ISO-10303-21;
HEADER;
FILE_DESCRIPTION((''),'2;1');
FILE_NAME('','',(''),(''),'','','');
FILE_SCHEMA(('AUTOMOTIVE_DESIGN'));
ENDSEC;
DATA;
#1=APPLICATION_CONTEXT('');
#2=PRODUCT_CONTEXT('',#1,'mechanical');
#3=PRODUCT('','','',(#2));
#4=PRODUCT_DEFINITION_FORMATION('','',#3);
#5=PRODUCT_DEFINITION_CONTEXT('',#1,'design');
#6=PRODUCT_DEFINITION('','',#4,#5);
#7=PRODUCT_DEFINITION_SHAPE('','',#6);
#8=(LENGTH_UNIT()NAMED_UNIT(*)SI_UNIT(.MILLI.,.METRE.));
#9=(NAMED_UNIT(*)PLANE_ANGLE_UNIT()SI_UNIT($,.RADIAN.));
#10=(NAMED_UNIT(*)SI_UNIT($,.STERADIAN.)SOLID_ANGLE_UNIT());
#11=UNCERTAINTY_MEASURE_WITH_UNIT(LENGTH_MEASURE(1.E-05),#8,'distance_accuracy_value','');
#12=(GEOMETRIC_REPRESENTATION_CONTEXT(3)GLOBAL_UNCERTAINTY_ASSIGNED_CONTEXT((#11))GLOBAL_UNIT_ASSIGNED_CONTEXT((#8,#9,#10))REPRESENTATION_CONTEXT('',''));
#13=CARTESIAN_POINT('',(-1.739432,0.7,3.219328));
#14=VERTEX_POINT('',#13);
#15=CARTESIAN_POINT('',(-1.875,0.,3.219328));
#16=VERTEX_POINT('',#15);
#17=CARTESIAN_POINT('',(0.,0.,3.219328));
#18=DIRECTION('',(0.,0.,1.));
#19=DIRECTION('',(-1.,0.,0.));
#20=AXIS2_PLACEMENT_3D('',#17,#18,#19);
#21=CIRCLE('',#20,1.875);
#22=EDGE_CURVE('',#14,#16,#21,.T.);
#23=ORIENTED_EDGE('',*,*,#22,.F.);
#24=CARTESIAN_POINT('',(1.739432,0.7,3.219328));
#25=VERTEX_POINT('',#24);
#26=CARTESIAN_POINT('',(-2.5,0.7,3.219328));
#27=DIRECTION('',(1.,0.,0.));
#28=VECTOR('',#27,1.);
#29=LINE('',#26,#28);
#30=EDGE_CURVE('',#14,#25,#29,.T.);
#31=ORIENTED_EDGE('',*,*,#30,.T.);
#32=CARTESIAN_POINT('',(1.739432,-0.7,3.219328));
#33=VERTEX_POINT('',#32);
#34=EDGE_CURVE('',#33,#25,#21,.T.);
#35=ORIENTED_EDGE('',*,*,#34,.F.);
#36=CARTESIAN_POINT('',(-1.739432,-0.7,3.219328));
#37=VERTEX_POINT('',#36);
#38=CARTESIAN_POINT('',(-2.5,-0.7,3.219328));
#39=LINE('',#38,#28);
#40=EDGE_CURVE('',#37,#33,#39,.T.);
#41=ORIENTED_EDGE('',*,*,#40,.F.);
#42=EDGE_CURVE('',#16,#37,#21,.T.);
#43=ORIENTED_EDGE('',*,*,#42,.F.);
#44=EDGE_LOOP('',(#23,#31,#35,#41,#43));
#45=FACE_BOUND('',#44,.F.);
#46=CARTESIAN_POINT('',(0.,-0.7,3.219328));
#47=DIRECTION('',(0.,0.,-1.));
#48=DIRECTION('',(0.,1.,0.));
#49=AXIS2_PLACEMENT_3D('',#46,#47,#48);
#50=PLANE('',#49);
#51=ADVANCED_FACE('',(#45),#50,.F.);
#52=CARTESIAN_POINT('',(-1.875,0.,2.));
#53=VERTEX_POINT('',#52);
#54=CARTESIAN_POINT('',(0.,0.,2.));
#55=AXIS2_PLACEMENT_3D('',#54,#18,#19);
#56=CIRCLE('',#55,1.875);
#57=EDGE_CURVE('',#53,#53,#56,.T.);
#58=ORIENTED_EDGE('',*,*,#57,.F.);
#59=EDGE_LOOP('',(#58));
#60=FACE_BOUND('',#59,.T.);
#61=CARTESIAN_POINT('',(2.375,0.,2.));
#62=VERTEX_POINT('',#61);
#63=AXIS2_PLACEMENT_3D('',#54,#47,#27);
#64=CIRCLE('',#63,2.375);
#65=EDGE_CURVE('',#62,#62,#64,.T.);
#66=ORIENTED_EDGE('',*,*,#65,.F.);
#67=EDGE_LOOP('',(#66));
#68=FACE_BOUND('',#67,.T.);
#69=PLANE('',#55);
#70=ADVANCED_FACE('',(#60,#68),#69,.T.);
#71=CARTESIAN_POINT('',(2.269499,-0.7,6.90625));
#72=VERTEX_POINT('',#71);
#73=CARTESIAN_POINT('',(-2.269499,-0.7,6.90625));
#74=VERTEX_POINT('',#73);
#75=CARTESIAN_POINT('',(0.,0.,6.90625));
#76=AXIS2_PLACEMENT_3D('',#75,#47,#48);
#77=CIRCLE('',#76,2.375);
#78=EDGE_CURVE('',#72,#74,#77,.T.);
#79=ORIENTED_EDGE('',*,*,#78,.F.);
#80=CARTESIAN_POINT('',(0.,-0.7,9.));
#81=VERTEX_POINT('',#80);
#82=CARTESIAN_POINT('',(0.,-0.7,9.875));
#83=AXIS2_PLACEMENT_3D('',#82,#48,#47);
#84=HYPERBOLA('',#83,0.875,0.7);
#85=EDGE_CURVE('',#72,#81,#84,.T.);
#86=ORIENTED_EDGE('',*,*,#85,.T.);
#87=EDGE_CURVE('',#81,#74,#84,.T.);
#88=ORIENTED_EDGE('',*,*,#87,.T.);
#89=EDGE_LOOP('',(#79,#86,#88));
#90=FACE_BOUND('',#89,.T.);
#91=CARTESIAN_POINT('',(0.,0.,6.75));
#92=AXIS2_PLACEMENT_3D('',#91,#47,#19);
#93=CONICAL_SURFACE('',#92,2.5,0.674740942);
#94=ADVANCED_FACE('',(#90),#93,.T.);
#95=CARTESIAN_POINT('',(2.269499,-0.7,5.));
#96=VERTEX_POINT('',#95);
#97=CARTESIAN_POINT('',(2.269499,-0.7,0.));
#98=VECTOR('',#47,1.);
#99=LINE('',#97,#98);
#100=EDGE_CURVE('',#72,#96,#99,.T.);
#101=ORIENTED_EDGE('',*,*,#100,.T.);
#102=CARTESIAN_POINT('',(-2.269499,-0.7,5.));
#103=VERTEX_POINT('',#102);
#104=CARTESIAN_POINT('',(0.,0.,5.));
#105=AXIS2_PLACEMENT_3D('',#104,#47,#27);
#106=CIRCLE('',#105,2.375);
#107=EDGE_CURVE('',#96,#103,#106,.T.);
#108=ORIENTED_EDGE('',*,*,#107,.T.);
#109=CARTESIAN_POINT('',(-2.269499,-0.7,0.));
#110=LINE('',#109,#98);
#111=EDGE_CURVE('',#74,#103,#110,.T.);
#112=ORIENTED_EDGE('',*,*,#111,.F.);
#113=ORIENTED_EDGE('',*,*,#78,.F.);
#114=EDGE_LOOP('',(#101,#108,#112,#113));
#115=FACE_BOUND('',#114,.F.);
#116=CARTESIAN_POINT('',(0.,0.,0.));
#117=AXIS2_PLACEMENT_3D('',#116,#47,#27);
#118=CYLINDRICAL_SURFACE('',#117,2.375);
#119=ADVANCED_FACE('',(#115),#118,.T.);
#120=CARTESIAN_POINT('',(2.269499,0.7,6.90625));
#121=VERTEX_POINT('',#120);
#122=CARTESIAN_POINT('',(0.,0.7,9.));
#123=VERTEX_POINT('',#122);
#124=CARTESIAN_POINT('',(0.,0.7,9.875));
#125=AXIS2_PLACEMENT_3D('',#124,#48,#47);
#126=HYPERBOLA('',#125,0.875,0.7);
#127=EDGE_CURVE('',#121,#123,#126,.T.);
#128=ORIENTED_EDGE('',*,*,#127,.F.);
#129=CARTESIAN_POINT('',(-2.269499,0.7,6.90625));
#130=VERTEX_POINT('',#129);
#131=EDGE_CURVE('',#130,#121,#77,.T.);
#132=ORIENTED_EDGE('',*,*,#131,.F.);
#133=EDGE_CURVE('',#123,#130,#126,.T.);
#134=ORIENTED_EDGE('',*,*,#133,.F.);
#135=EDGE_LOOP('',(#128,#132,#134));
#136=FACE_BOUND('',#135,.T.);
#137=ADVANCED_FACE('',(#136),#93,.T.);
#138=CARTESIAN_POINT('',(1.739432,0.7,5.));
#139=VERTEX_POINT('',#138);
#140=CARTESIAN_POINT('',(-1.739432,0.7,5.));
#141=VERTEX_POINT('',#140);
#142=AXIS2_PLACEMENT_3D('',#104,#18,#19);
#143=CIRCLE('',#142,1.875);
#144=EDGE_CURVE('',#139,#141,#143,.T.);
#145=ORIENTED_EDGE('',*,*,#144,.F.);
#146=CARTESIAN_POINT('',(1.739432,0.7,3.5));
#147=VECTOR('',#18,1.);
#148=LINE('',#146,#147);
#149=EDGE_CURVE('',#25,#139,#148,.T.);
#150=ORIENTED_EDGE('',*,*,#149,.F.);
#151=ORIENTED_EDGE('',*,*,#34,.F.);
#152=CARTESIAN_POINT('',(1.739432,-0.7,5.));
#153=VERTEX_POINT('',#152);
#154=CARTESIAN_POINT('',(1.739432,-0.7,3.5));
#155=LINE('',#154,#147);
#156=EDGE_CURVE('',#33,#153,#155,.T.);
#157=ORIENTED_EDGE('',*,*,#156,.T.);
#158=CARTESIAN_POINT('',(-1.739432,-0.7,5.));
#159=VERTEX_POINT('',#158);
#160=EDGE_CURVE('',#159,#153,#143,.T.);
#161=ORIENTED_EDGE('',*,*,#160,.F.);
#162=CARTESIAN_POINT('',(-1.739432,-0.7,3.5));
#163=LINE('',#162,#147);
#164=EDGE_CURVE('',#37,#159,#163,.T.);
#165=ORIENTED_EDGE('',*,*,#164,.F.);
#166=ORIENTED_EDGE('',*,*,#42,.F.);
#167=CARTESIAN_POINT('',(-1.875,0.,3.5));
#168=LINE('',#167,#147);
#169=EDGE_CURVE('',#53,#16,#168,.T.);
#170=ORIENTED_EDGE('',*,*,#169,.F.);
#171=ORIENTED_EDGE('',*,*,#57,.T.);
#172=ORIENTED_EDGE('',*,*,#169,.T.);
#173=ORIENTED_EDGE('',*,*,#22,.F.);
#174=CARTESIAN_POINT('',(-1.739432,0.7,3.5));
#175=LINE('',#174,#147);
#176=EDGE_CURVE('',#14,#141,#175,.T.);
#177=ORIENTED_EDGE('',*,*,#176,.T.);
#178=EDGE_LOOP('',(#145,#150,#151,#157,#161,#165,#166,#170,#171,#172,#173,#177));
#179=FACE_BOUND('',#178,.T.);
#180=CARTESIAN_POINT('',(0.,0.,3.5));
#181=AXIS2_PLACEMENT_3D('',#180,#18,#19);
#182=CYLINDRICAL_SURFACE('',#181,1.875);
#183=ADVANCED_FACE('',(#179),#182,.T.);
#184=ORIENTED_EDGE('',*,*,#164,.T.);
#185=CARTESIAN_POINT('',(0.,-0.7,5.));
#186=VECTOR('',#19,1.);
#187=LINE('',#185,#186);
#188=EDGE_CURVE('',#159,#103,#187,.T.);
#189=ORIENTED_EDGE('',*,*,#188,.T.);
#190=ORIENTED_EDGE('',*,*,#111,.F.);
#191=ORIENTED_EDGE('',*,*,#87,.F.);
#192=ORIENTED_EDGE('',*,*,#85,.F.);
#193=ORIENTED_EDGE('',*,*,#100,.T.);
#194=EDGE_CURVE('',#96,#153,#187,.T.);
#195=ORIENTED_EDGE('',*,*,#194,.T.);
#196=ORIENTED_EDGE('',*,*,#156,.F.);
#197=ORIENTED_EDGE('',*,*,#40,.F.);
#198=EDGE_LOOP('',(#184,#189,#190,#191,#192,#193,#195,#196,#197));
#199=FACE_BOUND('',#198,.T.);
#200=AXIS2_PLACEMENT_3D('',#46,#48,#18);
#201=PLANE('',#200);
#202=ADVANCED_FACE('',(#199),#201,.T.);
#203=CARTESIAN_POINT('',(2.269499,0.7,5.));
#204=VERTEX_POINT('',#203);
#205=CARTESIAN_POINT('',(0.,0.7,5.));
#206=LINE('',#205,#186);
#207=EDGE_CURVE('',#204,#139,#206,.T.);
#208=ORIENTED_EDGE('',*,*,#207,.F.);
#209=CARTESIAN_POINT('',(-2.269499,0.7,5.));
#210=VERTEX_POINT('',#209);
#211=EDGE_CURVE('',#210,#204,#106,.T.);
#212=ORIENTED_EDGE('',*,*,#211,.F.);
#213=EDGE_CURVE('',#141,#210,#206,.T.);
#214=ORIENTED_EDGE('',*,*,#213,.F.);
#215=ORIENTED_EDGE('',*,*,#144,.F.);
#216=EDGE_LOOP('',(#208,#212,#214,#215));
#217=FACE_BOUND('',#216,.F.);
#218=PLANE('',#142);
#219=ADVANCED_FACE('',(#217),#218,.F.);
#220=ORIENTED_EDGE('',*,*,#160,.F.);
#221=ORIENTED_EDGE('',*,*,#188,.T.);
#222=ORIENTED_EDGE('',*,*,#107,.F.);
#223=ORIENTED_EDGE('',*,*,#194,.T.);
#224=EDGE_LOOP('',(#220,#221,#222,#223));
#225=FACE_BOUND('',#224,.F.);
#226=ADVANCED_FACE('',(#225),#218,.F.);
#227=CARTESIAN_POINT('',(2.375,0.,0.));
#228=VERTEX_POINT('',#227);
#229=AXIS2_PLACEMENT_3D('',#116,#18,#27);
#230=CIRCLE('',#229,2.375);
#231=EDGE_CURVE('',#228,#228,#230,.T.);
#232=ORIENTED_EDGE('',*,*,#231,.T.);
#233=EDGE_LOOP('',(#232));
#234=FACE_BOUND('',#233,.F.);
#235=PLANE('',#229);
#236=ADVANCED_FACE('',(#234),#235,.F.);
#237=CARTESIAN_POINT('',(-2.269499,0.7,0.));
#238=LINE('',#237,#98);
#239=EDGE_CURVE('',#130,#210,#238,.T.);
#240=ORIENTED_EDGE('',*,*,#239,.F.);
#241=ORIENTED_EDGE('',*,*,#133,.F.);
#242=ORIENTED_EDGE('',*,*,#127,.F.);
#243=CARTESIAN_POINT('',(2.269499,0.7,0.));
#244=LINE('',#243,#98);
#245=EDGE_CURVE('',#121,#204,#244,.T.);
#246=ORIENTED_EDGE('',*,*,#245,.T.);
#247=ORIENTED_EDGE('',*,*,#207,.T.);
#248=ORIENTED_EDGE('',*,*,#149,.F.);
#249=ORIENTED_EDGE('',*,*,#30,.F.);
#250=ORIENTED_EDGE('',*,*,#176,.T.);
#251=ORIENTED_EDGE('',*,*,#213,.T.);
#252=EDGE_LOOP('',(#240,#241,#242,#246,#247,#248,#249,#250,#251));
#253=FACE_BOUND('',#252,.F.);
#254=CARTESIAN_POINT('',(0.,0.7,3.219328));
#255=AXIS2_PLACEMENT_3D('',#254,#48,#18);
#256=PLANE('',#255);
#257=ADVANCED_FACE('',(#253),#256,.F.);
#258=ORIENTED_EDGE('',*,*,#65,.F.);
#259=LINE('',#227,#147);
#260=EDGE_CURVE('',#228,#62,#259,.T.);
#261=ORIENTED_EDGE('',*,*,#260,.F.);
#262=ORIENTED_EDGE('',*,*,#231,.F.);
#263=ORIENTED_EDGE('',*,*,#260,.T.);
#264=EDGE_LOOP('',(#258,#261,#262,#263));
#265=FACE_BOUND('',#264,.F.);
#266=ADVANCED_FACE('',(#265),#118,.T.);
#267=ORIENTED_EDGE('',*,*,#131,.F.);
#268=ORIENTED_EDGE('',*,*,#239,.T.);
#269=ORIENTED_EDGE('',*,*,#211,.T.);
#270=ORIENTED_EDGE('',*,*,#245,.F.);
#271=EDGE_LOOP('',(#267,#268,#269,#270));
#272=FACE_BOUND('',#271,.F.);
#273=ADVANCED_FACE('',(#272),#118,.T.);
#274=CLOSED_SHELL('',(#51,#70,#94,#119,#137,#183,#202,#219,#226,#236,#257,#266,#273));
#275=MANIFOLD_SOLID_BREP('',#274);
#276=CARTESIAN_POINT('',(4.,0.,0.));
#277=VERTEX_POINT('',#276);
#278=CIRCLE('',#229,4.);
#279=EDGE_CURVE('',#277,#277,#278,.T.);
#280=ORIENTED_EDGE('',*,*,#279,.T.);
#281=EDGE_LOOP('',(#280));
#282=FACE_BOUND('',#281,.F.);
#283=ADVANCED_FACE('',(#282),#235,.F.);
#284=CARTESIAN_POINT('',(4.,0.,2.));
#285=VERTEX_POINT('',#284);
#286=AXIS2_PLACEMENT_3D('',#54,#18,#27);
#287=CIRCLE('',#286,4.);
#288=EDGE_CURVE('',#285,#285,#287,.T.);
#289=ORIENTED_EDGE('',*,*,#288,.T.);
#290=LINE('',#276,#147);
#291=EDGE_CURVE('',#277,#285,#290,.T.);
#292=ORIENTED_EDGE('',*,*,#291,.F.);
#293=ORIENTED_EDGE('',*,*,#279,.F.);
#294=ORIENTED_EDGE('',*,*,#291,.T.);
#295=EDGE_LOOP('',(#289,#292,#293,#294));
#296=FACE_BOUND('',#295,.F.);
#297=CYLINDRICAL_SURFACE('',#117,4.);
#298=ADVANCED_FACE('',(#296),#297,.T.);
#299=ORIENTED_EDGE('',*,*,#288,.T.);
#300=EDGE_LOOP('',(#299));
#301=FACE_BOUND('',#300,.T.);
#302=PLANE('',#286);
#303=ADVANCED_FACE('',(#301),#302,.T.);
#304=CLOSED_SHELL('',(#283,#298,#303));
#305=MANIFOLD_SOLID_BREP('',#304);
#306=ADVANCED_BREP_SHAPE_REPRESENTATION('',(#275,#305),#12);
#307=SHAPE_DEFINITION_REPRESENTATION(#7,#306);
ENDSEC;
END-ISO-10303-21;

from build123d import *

# Parameters (mm, degrees)
F0_R      = 4
F1_DEPTH  = 2
F2_R      = 2.375
F3_DEPTH  = 9
F4_W      = 2
F4_H      = 3
F10_W     = 1.4
F10_H     = 6.5
F11_DEPTH = 2.5


with BuildPart() as f1:
    # F0 (on Top) → F1 (new body)
    with BuildSketch(Plane.XY):
        Circle(F0_R)
    extrude(amount=F1_DEPTH)


with BuildPart() as f3:
    # F2 (on Top) → F3 (new body)
    with BuildSketch(Plane.XY):
        Circle(F2_R)
    extrude(amount=F3_DEPTH)

    # F4 (on Front) → F6 (revolve, cut)
    with BuildSketch(Plane.XZ):
        with Locations((-2.875, 3.5)):
            Rectangle(F4_W, F4_H)
    revolve(axis=Axis((0, 0, 5.832826), (0, 0, 1)), mode=Mode.SUBTRACT)

    # F7 (on Front) → F9 (revolve, cut)
    with BuildSketch(Plane.XZ):
        Polygon((-2.5, 6.75), (-0.5, 9.25), (-2.5, 9.25), align=None)
    revolve(axis=Axis((0, 0, 4.448059), (0, 0, 1)), mode=Mode.SUBTRACT)

    # F10 (on Right) → F11 (cut, symmetric)
    with BuildSketch(Plane.YZ):
        with Locations((0, 6.469328)):
            Rectangle(F10_W, F10_H)
    extrude(amount=F11_DEPTH, both=True, mode=Mode.SUBTRACT)


solid = Compound([f1.part, f3.part])
